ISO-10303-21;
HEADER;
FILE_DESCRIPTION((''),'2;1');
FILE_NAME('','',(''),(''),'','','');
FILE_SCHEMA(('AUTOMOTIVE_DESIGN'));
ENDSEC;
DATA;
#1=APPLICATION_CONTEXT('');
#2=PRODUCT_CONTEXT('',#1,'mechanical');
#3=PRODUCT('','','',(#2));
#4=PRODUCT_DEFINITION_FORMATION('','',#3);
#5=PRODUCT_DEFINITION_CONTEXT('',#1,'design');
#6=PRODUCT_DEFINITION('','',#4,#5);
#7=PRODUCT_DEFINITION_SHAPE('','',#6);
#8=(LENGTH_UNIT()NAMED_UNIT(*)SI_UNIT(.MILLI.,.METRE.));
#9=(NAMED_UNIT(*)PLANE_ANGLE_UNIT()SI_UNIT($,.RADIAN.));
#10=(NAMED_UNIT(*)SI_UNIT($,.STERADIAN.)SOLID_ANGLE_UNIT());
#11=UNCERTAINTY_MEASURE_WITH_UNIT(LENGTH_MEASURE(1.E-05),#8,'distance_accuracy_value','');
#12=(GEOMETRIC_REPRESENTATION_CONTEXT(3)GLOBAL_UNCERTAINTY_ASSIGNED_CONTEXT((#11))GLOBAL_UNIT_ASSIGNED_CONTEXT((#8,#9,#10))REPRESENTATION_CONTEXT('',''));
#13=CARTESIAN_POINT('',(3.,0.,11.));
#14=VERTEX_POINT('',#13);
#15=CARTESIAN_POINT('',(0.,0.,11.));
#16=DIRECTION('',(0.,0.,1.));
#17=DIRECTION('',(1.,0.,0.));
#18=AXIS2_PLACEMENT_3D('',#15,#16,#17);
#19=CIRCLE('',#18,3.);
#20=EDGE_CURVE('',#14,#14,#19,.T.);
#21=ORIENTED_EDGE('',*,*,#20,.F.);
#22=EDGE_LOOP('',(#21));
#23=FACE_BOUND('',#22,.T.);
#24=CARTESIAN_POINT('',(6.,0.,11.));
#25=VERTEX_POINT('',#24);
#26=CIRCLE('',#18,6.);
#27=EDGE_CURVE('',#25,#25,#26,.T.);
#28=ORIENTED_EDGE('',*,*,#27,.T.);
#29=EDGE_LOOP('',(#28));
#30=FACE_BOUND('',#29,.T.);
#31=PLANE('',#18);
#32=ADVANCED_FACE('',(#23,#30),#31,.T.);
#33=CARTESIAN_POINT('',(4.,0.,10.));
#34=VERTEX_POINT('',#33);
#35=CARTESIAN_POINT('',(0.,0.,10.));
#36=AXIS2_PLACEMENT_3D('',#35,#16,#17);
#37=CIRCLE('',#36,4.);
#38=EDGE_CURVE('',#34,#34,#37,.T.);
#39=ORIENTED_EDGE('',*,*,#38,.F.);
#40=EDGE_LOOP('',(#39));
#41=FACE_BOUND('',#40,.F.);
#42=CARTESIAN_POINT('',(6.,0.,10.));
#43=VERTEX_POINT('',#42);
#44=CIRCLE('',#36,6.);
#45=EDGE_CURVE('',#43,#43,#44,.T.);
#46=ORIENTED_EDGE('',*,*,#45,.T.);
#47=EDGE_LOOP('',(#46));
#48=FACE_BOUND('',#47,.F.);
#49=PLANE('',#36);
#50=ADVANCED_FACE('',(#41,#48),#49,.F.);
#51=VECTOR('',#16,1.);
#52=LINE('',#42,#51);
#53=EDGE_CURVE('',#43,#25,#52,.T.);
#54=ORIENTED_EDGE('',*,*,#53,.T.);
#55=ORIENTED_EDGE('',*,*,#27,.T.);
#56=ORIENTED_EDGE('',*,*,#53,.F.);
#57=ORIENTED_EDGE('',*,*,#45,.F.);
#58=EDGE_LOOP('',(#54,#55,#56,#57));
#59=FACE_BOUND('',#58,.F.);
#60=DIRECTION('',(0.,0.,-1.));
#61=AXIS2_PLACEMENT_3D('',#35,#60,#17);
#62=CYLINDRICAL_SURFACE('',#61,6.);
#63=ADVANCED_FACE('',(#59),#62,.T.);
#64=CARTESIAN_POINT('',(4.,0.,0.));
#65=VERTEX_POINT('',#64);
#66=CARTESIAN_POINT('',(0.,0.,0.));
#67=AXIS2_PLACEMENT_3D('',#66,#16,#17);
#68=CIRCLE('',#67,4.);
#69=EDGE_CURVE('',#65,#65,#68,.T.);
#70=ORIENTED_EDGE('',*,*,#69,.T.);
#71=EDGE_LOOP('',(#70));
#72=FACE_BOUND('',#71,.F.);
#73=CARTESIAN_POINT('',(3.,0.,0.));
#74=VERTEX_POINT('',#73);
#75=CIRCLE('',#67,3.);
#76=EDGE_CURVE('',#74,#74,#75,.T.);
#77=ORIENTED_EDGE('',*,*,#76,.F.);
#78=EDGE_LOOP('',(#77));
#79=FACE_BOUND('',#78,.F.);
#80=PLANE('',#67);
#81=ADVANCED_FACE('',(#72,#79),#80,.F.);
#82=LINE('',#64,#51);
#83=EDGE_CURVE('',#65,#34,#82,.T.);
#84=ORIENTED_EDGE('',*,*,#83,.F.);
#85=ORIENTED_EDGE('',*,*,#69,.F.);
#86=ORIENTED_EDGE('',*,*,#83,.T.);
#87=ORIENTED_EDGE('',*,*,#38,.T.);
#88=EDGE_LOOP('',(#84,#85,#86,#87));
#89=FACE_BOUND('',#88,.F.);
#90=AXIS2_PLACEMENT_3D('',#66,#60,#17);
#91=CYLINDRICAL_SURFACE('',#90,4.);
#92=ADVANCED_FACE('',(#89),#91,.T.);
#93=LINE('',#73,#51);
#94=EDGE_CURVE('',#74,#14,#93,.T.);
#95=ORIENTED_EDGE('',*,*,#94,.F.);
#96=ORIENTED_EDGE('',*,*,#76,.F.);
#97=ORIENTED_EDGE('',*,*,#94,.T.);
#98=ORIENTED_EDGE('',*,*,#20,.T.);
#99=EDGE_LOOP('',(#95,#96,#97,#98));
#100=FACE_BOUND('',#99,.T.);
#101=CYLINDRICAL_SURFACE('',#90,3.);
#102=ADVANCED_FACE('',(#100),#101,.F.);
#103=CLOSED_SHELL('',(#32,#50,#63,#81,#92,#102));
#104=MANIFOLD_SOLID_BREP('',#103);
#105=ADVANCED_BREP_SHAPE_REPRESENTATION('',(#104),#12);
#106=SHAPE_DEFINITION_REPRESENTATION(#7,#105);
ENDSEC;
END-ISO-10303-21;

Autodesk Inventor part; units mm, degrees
ref_plane "YZ Plane" through (0, 0, 0) normal (1, 0, 0) x (0, 1, 0)
ref_plane "XZ Plane" through (0, 0, 0) normal (0, 1, 0) x (-1, 0, 0)
ref_plane "XY Plane" through (0, 0, 0) normal (0, 0, 1) x (1, 0, 0)
sketch "スケッチ1" plane through (0, 0, 0) normal (0, 0, 1) x (1, 0, 0)
  circle A0 centre (0, 0) radius 3
  circle A1 centre (0, 0) radius 4
  dimension "d0" = 6
  dimension "d1" = 8
extrude "押し出し1" add sketch "スケッチ1" along normal blind 10
sketch "スケッチ2" plane through (0, 0, 10) normal (0, 0, 1) x (1, 0, 0)
  circle A0 centre (0, 0) radius 6
  circle A1 centre (0, 0) radius 3 projected
  dimension "d4" = 12
extrude "押し出し2" add sketch "スケッチ2" along normal blind 1
properties part number "オイレスフランジ付き06081012,1t" material "アセタール樹脂、黒"
